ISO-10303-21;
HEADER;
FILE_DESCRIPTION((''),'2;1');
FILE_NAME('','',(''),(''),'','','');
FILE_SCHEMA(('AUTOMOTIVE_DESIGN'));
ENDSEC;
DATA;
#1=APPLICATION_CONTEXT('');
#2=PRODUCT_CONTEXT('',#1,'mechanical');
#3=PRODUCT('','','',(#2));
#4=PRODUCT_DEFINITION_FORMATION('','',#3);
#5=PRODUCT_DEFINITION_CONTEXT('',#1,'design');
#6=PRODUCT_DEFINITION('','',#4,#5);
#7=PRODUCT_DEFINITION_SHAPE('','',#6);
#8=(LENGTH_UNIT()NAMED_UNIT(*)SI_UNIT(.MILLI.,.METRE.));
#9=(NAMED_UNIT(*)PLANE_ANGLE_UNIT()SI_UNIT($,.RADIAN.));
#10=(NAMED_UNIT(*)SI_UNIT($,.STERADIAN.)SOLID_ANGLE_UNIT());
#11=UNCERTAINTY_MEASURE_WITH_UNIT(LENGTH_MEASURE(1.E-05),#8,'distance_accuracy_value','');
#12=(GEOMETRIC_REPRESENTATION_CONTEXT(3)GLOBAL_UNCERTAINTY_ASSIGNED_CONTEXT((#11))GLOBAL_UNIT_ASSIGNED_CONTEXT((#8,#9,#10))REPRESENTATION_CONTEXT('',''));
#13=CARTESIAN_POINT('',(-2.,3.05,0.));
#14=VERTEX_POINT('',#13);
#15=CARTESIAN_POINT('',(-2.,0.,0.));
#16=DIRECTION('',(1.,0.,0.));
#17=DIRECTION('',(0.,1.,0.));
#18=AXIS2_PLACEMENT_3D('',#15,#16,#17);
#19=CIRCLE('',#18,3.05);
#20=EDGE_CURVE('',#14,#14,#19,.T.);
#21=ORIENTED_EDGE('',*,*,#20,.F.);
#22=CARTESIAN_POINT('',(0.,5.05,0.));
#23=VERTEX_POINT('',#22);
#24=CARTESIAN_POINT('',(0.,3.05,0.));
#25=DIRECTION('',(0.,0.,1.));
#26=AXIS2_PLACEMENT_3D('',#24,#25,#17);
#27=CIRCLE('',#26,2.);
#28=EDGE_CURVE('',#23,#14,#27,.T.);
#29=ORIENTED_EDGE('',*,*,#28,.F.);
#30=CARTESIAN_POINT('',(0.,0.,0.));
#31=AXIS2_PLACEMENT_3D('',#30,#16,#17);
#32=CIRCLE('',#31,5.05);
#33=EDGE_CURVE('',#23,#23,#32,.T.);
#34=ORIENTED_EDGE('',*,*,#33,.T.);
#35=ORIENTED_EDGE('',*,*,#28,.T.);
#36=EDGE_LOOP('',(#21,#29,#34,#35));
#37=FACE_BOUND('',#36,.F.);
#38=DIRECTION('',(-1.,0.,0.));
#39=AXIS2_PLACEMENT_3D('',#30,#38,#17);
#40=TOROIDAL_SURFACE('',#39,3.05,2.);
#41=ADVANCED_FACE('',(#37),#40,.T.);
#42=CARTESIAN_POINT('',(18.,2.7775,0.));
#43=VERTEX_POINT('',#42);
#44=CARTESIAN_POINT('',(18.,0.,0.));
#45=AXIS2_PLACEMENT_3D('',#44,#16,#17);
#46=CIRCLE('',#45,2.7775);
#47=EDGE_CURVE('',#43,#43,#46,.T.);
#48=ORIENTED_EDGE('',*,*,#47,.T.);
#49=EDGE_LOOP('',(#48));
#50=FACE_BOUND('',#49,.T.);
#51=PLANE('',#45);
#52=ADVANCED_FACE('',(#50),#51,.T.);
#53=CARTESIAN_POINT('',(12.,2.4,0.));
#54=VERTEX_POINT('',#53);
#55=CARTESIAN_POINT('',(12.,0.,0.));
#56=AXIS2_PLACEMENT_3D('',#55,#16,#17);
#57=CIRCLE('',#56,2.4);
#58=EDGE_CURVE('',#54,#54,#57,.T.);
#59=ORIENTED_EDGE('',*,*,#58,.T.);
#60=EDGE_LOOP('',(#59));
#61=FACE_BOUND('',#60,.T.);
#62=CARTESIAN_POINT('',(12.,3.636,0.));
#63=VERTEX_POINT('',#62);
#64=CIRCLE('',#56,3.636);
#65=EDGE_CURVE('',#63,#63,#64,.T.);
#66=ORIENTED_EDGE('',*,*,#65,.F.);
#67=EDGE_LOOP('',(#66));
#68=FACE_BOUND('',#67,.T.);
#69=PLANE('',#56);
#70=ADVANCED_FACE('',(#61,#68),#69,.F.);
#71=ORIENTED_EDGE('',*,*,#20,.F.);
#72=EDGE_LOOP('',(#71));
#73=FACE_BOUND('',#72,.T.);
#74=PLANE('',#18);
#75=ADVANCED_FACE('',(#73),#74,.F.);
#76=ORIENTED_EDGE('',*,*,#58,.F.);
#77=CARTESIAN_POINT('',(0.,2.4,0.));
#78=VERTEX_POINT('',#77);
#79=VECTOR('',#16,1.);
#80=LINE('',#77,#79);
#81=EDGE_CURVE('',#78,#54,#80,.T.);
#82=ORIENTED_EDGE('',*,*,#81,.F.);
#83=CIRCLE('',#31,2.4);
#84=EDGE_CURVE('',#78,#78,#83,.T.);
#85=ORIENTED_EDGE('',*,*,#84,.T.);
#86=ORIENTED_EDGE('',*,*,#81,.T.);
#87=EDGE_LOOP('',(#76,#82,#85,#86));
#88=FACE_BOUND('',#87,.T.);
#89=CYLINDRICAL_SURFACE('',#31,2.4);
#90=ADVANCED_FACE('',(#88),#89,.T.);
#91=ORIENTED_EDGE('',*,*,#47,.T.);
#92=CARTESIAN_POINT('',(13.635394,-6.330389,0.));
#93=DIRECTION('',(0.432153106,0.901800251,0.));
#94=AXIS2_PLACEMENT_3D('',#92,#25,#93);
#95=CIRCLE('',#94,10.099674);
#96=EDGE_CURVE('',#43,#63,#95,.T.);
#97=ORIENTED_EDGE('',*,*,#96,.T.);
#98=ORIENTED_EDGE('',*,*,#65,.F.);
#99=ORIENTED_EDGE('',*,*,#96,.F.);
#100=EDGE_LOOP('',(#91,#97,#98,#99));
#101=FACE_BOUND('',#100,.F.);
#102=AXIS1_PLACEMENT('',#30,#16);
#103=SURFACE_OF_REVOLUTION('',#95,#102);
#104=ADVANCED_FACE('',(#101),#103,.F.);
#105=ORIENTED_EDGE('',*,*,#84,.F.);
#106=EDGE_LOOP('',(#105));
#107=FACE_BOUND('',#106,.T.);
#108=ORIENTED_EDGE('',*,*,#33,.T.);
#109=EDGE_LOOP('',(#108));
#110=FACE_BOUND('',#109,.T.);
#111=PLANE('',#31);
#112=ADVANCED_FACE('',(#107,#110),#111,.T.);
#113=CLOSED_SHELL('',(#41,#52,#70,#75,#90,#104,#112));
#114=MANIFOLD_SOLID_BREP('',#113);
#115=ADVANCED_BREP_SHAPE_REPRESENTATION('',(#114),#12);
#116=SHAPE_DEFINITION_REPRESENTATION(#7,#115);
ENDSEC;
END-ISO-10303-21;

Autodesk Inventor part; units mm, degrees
ref_plane "YZ Plane" through (0, 0, 0) normal (1, 0, 0) x (0, 1, 0)
ref_plane "XZ Plane" through (0, 0, 0) normal (0, 1, 0) x (-1, 0, 0)
ref_plane "XY Plane" through (0, 0, 0) normal (0, 0, 1) x (1, 0, 0)
sketch "Sketch1" plane through (0, 0, 0) normal (0, 0, 1) x (1, 0, 0)
  line L0 (0, 0) -> (5.3851, 0)
  line L1 (-2, 0) -> (-2, 3.05)
  line L2 (0, 5.05) -> (0, 5.05)
  line L3 (0, 5.05) -> (0, 2.4)
  line L4 (0, 2.4) -> (12, 2.4)
  line L5 (12, 2.4) -> (12, 3.636)
  line L6 (18, 2.7775) -> (18, 0)
  line L7 (18, 0) -> (-2, 0)
  arc A0 (0, 5.05) -> (-2, 3.05) centre (0, 3.05) ccw
  arc A1 (18, 2.7775) -> (12, 3.636) centre (13.6353, -6.3307) ccw
  dimension "KOH" = 2
  dimension "NND" = 4.8
  dimension "KOD" = 10.1
  dimension "d21" = 2
  dimension "d22" = 5.555
  dimension "d23" = 7.272
  dimension "d27" = 6
  dimension "d28" = 10.1
  dimension "FLN" = 12
revolve "Revolution 1" add sketch "Sketch1" angle 360 about axis through (0, 0, 0) along (1, 0, 0)
equation "\"d21\" = KOH"
equation "\"d22\" = 0.55 * KOD"
equation "\"d23\" = 0.72 * KOD"
equation "\"d27\" = 3 * KOH"
equation "\"d28\" = KOD"
properties part number "Blind Rivet GB/T 12615.4-2004 4.8 X 21" material "Steel, Mild"
